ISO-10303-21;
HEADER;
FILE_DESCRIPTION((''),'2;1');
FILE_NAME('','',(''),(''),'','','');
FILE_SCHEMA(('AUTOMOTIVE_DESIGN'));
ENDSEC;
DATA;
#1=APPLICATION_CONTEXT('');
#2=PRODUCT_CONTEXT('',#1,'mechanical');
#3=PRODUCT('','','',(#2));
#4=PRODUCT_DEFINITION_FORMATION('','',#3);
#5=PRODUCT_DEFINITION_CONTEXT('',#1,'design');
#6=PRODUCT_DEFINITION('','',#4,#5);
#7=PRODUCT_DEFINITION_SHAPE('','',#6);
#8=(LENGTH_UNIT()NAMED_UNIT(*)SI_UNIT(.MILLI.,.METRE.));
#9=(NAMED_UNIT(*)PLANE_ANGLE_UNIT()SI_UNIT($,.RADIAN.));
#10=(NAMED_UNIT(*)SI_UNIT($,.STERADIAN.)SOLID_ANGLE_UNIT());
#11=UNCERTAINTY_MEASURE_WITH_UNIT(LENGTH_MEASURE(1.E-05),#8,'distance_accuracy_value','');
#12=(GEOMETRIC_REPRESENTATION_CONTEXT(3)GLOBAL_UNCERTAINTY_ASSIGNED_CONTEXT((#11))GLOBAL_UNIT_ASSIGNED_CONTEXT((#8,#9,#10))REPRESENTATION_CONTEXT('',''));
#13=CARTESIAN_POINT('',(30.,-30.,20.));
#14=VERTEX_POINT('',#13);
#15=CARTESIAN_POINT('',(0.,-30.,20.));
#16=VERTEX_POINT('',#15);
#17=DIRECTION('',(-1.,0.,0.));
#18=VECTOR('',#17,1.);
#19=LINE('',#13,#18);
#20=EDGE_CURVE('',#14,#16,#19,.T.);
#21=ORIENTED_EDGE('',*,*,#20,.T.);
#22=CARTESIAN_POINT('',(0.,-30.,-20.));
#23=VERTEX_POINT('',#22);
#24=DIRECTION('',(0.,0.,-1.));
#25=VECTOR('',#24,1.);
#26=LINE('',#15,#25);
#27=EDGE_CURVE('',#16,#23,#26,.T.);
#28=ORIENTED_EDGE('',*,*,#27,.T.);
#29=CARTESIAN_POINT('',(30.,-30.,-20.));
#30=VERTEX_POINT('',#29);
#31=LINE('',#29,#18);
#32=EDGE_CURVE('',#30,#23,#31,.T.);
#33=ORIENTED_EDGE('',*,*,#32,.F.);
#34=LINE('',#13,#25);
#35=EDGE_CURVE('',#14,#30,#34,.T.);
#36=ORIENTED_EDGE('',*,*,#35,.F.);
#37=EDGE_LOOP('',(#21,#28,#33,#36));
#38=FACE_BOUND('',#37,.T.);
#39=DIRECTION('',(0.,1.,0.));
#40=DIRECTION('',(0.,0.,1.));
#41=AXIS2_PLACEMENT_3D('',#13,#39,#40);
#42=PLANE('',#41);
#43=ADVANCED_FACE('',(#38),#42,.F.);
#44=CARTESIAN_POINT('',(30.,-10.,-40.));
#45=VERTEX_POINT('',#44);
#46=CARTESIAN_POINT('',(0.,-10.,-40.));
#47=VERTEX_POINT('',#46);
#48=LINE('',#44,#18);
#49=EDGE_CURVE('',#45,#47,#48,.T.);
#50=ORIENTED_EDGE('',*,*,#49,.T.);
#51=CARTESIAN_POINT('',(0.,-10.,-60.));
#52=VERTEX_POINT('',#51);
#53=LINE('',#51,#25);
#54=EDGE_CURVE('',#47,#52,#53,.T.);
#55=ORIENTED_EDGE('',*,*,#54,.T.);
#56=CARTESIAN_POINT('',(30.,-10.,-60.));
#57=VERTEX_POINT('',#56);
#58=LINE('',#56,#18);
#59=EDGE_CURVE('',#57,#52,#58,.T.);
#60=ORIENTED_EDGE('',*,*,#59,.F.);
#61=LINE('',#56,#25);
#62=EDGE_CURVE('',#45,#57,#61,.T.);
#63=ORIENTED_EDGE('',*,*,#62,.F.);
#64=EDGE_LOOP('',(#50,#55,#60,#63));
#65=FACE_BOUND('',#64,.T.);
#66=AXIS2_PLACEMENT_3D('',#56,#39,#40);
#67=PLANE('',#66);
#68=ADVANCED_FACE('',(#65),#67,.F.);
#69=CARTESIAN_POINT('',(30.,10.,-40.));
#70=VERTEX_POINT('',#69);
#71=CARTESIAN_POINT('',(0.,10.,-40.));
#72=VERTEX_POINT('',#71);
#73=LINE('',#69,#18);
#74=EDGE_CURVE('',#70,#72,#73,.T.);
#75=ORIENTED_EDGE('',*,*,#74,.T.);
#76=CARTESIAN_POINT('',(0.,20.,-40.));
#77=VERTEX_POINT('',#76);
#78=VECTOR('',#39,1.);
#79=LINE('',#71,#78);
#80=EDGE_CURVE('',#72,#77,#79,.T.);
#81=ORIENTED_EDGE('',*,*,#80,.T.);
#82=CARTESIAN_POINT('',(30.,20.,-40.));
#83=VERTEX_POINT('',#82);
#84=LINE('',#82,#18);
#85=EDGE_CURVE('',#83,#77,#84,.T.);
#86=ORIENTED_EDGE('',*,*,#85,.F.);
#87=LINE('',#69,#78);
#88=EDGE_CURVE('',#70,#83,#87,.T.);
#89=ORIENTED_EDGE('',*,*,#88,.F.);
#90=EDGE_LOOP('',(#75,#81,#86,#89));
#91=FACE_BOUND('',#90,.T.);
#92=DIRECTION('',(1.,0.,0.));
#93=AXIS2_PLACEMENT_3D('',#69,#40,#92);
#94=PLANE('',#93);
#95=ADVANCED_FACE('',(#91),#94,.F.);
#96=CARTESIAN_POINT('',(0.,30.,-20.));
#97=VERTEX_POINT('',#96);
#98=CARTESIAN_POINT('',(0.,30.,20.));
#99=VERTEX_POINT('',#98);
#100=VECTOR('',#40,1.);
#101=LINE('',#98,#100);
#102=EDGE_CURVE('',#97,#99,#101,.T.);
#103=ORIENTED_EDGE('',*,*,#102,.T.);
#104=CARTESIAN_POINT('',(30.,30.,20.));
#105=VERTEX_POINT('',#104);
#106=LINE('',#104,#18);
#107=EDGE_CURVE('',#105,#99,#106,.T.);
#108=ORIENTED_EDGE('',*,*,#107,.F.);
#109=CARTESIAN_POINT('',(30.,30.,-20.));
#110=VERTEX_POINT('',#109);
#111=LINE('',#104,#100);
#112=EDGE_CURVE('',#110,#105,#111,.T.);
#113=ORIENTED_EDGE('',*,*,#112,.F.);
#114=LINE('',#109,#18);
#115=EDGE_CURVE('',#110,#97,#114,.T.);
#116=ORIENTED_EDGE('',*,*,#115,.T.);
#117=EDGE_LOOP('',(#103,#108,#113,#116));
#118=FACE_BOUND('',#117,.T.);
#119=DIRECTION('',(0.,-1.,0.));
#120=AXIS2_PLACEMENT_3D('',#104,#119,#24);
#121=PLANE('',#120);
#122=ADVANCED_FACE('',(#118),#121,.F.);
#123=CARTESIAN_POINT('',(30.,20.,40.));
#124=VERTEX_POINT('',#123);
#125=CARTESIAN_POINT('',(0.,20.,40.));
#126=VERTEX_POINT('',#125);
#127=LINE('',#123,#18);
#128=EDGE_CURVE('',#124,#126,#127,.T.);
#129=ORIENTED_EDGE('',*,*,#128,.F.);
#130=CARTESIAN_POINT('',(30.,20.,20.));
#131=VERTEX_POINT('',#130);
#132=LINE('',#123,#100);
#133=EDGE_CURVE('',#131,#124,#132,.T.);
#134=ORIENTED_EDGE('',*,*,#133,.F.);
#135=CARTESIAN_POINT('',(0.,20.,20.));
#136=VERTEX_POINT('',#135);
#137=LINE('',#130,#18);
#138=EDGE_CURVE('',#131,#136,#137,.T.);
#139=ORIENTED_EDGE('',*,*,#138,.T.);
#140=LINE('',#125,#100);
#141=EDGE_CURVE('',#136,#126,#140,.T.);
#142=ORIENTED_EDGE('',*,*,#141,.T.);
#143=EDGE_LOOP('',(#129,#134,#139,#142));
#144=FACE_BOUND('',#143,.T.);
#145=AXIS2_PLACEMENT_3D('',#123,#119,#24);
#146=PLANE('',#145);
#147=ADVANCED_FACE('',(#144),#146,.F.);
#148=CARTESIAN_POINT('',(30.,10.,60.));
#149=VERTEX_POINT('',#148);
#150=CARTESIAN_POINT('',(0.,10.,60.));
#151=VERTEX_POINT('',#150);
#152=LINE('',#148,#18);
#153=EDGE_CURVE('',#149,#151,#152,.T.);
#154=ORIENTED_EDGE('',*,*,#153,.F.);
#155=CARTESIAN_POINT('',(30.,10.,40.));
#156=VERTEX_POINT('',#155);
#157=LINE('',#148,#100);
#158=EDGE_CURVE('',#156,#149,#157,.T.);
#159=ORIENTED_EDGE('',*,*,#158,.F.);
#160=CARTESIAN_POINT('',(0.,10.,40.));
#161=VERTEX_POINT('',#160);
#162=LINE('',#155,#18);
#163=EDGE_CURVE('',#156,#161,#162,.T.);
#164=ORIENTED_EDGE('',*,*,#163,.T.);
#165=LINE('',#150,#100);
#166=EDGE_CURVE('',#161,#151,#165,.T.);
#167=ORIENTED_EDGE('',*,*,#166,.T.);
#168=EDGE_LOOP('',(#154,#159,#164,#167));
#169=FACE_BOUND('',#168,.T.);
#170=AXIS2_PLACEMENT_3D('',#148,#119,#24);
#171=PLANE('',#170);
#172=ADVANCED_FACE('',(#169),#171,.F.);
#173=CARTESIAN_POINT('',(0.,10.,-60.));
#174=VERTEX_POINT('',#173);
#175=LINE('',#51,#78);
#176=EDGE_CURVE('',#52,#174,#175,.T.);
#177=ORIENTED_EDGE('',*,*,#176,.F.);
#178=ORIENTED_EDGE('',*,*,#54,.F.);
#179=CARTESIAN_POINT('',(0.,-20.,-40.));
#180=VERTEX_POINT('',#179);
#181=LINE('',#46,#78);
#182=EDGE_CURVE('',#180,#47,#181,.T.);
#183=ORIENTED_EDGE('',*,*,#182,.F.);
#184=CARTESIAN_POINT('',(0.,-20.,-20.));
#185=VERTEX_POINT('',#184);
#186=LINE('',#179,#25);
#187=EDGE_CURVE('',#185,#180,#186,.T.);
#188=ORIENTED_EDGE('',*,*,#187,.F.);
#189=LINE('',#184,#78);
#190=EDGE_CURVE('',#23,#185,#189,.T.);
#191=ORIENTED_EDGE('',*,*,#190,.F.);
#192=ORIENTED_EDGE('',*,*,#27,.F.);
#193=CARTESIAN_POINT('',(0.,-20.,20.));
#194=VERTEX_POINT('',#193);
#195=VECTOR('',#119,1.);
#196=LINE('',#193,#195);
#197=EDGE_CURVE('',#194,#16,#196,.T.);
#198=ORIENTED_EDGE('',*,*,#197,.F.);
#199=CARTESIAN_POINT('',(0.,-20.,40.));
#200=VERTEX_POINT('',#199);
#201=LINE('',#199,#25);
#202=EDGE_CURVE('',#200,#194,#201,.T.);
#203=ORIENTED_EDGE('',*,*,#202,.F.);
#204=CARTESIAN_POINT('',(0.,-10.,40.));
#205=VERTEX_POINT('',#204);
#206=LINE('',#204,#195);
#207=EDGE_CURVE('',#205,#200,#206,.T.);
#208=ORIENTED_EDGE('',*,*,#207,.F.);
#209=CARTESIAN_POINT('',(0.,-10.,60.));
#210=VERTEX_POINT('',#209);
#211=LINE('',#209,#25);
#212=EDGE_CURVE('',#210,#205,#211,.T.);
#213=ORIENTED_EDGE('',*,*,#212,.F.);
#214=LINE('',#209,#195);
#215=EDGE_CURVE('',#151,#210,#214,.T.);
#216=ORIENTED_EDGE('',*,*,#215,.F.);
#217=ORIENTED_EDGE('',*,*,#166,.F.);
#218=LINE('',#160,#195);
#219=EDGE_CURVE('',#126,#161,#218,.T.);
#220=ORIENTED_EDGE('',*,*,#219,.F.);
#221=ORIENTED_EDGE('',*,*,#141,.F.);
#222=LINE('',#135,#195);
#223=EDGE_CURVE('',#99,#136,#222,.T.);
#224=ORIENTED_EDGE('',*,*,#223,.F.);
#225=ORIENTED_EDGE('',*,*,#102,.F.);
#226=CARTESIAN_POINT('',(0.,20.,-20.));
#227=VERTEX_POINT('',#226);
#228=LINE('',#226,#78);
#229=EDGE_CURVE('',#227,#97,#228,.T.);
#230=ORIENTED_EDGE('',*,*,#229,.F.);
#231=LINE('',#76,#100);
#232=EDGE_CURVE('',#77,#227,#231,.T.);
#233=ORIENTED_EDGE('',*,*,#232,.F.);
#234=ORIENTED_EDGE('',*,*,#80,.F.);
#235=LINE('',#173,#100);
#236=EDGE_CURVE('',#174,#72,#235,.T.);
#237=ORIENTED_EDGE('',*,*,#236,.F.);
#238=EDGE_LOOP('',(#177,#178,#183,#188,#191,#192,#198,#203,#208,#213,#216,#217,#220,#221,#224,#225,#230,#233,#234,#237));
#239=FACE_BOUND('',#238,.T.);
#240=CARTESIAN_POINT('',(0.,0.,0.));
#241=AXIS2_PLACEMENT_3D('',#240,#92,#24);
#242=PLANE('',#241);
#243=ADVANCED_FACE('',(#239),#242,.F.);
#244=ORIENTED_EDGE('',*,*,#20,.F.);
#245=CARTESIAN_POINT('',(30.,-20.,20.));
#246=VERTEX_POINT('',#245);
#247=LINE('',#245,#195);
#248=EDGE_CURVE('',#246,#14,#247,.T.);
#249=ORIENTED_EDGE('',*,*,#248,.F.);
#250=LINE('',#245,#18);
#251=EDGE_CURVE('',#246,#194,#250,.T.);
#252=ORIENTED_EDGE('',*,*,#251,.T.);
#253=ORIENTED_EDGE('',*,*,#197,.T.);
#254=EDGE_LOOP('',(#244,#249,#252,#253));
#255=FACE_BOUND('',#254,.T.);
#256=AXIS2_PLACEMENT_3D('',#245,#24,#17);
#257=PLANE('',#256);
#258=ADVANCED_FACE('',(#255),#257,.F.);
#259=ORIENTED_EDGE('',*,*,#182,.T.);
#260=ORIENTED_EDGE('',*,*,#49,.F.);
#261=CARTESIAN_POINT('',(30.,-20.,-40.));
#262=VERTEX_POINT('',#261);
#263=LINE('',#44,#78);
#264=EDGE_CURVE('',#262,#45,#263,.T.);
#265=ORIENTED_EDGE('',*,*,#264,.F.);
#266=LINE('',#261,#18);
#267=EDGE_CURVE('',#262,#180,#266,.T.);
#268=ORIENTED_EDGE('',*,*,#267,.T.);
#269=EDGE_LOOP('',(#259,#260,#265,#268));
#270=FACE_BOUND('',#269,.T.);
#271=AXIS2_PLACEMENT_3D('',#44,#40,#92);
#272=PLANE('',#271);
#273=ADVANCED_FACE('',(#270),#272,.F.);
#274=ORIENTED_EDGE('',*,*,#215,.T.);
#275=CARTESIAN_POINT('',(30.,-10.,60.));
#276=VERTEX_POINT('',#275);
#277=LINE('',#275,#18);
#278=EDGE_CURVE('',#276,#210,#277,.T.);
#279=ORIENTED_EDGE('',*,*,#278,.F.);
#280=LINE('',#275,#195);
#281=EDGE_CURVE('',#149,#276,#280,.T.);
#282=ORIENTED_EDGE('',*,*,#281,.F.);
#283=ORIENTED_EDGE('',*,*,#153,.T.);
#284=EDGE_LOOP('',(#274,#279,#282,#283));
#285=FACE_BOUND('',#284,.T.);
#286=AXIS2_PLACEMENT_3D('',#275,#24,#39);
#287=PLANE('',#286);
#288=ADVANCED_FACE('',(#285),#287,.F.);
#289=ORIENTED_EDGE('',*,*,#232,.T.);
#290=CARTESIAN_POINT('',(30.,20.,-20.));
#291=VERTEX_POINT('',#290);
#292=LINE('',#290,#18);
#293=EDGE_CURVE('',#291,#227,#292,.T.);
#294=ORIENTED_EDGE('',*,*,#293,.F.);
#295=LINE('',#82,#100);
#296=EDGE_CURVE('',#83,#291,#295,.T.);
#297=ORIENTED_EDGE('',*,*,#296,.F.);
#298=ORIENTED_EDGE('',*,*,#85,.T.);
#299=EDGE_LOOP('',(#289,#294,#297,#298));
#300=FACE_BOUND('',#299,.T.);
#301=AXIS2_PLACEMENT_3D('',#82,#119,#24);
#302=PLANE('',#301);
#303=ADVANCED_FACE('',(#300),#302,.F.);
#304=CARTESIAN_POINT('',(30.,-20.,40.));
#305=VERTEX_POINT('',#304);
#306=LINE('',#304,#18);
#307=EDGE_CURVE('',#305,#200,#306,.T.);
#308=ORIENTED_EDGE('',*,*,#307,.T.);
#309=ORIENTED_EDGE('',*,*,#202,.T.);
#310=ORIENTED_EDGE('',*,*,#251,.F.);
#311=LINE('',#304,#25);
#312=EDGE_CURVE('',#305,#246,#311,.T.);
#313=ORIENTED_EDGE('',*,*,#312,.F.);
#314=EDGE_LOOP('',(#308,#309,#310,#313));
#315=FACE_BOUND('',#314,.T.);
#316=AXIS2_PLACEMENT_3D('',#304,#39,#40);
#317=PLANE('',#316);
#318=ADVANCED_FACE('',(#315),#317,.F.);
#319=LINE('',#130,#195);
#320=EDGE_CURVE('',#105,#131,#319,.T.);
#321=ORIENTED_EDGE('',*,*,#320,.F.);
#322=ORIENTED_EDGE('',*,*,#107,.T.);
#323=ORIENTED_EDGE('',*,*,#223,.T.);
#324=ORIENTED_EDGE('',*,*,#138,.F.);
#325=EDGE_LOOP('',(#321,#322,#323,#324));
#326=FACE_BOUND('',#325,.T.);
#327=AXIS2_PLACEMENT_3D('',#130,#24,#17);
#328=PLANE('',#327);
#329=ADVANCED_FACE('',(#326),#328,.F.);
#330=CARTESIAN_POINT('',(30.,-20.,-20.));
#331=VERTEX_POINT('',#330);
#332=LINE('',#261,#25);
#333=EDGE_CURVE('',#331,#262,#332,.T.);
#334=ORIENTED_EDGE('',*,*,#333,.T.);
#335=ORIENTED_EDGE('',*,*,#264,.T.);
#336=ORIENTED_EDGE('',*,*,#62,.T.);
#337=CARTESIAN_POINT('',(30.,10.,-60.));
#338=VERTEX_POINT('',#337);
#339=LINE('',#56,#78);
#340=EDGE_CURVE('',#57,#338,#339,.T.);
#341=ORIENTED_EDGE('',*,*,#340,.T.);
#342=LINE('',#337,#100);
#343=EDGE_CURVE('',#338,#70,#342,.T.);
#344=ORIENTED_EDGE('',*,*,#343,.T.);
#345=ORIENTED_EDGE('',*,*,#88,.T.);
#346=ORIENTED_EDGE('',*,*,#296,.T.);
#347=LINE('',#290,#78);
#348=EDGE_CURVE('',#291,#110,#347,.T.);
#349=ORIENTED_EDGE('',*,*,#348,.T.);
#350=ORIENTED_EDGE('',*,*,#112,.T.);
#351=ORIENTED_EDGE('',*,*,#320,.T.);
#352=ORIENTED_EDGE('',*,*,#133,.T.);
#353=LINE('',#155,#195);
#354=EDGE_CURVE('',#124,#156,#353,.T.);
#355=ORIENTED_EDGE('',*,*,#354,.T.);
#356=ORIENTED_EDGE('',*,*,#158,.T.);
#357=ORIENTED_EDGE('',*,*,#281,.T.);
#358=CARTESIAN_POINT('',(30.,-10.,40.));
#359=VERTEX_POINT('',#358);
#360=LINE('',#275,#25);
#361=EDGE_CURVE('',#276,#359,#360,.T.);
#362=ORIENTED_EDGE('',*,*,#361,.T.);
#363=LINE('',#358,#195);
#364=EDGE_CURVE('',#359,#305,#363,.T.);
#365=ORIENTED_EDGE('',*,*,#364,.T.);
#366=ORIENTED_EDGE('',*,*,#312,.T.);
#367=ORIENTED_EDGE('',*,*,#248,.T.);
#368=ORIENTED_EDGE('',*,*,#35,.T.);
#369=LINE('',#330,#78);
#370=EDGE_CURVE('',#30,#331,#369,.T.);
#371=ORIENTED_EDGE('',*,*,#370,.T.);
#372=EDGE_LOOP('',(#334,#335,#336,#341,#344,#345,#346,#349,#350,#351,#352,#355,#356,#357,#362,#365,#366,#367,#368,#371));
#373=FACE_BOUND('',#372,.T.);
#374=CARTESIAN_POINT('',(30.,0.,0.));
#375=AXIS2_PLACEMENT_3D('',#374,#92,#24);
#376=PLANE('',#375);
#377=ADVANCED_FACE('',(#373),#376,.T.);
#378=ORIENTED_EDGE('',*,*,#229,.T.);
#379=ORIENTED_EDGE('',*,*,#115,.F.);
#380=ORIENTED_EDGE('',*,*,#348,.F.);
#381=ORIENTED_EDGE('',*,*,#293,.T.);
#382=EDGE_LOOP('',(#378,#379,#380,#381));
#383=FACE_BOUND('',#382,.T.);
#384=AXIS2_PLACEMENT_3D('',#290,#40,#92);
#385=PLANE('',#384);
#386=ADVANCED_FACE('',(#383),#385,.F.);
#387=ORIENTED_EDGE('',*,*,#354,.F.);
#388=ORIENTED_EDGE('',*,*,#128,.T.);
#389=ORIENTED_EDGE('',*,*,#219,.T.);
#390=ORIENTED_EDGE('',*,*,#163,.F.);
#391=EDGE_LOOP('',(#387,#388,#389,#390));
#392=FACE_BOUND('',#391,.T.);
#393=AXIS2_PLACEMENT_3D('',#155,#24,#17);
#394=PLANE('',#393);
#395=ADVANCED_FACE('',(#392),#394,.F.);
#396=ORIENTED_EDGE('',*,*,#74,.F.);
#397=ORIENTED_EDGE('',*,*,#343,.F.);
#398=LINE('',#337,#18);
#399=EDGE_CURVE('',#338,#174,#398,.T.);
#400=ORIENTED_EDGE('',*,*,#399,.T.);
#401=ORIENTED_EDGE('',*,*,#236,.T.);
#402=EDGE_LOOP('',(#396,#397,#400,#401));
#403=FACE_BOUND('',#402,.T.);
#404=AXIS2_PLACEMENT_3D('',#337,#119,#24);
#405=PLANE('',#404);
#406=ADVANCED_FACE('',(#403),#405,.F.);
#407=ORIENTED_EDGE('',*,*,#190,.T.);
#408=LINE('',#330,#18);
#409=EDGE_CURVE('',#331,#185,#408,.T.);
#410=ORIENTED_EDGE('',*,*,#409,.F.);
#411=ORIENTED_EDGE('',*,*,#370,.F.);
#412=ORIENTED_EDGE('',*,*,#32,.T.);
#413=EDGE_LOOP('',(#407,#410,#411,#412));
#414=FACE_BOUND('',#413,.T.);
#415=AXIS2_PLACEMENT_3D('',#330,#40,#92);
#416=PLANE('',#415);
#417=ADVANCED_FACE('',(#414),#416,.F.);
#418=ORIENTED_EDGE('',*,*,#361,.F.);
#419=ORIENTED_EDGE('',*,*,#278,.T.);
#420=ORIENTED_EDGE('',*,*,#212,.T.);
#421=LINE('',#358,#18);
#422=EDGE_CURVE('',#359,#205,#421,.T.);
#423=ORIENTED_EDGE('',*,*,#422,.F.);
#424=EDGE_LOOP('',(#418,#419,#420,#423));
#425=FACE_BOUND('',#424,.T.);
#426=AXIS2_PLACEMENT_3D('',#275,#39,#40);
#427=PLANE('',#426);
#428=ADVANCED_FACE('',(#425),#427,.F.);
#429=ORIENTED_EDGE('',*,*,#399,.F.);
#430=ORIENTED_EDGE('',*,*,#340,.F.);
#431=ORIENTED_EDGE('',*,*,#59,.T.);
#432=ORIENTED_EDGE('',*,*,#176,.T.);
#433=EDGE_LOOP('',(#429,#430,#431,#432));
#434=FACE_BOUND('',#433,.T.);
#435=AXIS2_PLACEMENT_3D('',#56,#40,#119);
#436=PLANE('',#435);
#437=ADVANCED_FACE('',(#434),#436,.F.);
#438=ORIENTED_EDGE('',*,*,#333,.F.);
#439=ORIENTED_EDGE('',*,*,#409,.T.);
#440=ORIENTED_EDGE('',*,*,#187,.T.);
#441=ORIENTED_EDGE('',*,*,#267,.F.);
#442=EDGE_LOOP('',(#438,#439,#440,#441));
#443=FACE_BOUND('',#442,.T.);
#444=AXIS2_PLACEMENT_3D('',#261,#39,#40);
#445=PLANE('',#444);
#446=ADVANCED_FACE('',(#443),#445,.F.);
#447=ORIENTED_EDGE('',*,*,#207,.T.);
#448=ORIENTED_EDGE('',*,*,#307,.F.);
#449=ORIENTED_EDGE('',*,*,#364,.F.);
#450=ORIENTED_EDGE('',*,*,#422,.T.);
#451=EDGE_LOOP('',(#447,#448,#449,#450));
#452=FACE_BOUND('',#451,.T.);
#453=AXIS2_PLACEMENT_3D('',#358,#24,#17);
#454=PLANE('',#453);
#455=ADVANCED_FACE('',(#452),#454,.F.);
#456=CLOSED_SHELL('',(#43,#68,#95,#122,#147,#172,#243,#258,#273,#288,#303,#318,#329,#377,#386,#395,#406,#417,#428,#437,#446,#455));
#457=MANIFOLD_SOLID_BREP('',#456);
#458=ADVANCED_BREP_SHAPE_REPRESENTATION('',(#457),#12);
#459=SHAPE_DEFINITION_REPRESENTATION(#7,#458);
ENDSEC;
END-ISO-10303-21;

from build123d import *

# Parameters (mm, degrees)
BOSS_EXTRUDE1_DEPTH = 30


with BuildPart() as part:
    # Sketch1 → Boss-Extrude1 (new body)
    with BuildSketch(Plane(origin=(0, 0, 0), x_dir=(0, 0, -1), z_dir=(1, 0, 0))):
        Polygon((-60, -10), (-60, 10), (-40, 10), (-40, 20), (-20, 20), (-20, 30), (20, 30), (20, 20), (40, 20), (40, 10), (60, 10), (60, -10), (40, -10), (40, -20), (20, -20), (20, -30), (-20, -30), (-20, -20), (-40, -20), (-40, -10), align=None)
    extrude(amount=BOSS_EXTRUDE1_DEPTH)


solid = part.part
